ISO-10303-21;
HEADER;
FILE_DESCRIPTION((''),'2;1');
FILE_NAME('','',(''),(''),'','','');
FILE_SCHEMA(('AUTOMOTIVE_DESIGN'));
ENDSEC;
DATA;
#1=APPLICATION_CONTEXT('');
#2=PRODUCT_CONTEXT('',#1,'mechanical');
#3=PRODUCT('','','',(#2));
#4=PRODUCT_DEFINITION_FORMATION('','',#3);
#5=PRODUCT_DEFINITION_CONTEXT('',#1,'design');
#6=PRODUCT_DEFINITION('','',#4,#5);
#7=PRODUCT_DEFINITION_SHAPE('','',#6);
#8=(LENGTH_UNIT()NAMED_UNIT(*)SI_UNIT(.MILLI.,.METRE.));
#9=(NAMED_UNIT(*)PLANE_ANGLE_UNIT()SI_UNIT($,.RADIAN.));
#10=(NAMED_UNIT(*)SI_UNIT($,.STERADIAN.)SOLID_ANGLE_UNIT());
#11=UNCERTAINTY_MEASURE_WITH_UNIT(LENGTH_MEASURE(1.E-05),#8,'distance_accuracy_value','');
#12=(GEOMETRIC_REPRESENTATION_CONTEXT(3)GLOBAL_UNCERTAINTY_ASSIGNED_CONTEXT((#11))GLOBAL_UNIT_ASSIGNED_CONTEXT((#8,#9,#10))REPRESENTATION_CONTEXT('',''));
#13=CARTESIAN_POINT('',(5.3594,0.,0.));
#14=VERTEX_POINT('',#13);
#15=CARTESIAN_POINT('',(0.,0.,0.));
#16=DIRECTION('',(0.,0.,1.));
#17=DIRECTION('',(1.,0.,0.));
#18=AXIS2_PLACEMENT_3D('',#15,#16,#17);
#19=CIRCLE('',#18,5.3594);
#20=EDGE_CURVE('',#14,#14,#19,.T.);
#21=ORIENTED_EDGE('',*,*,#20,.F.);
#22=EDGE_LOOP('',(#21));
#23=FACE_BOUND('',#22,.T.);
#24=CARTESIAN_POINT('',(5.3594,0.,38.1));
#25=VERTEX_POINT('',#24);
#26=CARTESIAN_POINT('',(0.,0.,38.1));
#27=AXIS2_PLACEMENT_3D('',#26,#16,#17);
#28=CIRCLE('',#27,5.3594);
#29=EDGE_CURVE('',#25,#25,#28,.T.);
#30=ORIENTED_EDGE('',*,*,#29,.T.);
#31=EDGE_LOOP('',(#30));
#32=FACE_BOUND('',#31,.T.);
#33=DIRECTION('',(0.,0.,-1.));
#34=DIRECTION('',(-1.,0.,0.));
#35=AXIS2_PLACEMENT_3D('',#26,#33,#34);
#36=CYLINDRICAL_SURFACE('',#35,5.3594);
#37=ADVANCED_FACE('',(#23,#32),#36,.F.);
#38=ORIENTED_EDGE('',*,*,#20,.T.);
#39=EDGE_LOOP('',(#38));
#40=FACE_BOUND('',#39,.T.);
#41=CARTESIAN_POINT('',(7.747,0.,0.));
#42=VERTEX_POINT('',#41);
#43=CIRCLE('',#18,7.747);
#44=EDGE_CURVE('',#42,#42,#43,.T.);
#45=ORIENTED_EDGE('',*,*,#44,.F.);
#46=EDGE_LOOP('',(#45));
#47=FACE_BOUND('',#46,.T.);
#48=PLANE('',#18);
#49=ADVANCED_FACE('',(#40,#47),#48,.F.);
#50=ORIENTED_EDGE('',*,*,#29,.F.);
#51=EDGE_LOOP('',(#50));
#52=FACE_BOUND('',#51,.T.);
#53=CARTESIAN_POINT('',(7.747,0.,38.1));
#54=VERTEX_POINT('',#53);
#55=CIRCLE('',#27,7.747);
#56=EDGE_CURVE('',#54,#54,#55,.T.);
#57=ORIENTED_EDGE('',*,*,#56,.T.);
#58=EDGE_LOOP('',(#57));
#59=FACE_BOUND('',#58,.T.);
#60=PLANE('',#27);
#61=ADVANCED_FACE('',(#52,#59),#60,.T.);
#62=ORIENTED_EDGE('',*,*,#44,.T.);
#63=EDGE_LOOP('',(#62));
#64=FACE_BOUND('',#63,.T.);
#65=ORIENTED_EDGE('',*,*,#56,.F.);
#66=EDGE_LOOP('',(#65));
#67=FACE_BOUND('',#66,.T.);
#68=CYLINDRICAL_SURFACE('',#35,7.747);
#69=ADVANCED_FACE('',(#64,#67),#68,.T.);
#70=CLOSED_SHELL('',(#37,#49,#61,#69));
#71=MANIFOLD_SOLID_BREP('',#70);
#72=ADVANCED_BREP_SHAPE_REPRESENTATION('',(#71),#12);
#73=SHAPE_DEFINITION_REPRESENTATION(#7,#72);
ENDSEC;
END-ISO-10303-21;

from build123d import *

# Parameters (mm, degrees)
SKETCH1_R           = 7.747
SKETCH1_R_2         = 5.3594
BOSS_EXTRUDE1_DEPTH = 38.1


with BuildPart() as part:
    # Sketch1 → Boss-Extrude1 (new body)
    with BuildSketch(Plane.XY):
        Circle(SKETCH1_R)
        Circle(SKETCH1_R_2, mode=Mode.SUBTRACT)
    extrude(amount=BOSS_EXTRUDE1_DEPTH)


solid = part.part
